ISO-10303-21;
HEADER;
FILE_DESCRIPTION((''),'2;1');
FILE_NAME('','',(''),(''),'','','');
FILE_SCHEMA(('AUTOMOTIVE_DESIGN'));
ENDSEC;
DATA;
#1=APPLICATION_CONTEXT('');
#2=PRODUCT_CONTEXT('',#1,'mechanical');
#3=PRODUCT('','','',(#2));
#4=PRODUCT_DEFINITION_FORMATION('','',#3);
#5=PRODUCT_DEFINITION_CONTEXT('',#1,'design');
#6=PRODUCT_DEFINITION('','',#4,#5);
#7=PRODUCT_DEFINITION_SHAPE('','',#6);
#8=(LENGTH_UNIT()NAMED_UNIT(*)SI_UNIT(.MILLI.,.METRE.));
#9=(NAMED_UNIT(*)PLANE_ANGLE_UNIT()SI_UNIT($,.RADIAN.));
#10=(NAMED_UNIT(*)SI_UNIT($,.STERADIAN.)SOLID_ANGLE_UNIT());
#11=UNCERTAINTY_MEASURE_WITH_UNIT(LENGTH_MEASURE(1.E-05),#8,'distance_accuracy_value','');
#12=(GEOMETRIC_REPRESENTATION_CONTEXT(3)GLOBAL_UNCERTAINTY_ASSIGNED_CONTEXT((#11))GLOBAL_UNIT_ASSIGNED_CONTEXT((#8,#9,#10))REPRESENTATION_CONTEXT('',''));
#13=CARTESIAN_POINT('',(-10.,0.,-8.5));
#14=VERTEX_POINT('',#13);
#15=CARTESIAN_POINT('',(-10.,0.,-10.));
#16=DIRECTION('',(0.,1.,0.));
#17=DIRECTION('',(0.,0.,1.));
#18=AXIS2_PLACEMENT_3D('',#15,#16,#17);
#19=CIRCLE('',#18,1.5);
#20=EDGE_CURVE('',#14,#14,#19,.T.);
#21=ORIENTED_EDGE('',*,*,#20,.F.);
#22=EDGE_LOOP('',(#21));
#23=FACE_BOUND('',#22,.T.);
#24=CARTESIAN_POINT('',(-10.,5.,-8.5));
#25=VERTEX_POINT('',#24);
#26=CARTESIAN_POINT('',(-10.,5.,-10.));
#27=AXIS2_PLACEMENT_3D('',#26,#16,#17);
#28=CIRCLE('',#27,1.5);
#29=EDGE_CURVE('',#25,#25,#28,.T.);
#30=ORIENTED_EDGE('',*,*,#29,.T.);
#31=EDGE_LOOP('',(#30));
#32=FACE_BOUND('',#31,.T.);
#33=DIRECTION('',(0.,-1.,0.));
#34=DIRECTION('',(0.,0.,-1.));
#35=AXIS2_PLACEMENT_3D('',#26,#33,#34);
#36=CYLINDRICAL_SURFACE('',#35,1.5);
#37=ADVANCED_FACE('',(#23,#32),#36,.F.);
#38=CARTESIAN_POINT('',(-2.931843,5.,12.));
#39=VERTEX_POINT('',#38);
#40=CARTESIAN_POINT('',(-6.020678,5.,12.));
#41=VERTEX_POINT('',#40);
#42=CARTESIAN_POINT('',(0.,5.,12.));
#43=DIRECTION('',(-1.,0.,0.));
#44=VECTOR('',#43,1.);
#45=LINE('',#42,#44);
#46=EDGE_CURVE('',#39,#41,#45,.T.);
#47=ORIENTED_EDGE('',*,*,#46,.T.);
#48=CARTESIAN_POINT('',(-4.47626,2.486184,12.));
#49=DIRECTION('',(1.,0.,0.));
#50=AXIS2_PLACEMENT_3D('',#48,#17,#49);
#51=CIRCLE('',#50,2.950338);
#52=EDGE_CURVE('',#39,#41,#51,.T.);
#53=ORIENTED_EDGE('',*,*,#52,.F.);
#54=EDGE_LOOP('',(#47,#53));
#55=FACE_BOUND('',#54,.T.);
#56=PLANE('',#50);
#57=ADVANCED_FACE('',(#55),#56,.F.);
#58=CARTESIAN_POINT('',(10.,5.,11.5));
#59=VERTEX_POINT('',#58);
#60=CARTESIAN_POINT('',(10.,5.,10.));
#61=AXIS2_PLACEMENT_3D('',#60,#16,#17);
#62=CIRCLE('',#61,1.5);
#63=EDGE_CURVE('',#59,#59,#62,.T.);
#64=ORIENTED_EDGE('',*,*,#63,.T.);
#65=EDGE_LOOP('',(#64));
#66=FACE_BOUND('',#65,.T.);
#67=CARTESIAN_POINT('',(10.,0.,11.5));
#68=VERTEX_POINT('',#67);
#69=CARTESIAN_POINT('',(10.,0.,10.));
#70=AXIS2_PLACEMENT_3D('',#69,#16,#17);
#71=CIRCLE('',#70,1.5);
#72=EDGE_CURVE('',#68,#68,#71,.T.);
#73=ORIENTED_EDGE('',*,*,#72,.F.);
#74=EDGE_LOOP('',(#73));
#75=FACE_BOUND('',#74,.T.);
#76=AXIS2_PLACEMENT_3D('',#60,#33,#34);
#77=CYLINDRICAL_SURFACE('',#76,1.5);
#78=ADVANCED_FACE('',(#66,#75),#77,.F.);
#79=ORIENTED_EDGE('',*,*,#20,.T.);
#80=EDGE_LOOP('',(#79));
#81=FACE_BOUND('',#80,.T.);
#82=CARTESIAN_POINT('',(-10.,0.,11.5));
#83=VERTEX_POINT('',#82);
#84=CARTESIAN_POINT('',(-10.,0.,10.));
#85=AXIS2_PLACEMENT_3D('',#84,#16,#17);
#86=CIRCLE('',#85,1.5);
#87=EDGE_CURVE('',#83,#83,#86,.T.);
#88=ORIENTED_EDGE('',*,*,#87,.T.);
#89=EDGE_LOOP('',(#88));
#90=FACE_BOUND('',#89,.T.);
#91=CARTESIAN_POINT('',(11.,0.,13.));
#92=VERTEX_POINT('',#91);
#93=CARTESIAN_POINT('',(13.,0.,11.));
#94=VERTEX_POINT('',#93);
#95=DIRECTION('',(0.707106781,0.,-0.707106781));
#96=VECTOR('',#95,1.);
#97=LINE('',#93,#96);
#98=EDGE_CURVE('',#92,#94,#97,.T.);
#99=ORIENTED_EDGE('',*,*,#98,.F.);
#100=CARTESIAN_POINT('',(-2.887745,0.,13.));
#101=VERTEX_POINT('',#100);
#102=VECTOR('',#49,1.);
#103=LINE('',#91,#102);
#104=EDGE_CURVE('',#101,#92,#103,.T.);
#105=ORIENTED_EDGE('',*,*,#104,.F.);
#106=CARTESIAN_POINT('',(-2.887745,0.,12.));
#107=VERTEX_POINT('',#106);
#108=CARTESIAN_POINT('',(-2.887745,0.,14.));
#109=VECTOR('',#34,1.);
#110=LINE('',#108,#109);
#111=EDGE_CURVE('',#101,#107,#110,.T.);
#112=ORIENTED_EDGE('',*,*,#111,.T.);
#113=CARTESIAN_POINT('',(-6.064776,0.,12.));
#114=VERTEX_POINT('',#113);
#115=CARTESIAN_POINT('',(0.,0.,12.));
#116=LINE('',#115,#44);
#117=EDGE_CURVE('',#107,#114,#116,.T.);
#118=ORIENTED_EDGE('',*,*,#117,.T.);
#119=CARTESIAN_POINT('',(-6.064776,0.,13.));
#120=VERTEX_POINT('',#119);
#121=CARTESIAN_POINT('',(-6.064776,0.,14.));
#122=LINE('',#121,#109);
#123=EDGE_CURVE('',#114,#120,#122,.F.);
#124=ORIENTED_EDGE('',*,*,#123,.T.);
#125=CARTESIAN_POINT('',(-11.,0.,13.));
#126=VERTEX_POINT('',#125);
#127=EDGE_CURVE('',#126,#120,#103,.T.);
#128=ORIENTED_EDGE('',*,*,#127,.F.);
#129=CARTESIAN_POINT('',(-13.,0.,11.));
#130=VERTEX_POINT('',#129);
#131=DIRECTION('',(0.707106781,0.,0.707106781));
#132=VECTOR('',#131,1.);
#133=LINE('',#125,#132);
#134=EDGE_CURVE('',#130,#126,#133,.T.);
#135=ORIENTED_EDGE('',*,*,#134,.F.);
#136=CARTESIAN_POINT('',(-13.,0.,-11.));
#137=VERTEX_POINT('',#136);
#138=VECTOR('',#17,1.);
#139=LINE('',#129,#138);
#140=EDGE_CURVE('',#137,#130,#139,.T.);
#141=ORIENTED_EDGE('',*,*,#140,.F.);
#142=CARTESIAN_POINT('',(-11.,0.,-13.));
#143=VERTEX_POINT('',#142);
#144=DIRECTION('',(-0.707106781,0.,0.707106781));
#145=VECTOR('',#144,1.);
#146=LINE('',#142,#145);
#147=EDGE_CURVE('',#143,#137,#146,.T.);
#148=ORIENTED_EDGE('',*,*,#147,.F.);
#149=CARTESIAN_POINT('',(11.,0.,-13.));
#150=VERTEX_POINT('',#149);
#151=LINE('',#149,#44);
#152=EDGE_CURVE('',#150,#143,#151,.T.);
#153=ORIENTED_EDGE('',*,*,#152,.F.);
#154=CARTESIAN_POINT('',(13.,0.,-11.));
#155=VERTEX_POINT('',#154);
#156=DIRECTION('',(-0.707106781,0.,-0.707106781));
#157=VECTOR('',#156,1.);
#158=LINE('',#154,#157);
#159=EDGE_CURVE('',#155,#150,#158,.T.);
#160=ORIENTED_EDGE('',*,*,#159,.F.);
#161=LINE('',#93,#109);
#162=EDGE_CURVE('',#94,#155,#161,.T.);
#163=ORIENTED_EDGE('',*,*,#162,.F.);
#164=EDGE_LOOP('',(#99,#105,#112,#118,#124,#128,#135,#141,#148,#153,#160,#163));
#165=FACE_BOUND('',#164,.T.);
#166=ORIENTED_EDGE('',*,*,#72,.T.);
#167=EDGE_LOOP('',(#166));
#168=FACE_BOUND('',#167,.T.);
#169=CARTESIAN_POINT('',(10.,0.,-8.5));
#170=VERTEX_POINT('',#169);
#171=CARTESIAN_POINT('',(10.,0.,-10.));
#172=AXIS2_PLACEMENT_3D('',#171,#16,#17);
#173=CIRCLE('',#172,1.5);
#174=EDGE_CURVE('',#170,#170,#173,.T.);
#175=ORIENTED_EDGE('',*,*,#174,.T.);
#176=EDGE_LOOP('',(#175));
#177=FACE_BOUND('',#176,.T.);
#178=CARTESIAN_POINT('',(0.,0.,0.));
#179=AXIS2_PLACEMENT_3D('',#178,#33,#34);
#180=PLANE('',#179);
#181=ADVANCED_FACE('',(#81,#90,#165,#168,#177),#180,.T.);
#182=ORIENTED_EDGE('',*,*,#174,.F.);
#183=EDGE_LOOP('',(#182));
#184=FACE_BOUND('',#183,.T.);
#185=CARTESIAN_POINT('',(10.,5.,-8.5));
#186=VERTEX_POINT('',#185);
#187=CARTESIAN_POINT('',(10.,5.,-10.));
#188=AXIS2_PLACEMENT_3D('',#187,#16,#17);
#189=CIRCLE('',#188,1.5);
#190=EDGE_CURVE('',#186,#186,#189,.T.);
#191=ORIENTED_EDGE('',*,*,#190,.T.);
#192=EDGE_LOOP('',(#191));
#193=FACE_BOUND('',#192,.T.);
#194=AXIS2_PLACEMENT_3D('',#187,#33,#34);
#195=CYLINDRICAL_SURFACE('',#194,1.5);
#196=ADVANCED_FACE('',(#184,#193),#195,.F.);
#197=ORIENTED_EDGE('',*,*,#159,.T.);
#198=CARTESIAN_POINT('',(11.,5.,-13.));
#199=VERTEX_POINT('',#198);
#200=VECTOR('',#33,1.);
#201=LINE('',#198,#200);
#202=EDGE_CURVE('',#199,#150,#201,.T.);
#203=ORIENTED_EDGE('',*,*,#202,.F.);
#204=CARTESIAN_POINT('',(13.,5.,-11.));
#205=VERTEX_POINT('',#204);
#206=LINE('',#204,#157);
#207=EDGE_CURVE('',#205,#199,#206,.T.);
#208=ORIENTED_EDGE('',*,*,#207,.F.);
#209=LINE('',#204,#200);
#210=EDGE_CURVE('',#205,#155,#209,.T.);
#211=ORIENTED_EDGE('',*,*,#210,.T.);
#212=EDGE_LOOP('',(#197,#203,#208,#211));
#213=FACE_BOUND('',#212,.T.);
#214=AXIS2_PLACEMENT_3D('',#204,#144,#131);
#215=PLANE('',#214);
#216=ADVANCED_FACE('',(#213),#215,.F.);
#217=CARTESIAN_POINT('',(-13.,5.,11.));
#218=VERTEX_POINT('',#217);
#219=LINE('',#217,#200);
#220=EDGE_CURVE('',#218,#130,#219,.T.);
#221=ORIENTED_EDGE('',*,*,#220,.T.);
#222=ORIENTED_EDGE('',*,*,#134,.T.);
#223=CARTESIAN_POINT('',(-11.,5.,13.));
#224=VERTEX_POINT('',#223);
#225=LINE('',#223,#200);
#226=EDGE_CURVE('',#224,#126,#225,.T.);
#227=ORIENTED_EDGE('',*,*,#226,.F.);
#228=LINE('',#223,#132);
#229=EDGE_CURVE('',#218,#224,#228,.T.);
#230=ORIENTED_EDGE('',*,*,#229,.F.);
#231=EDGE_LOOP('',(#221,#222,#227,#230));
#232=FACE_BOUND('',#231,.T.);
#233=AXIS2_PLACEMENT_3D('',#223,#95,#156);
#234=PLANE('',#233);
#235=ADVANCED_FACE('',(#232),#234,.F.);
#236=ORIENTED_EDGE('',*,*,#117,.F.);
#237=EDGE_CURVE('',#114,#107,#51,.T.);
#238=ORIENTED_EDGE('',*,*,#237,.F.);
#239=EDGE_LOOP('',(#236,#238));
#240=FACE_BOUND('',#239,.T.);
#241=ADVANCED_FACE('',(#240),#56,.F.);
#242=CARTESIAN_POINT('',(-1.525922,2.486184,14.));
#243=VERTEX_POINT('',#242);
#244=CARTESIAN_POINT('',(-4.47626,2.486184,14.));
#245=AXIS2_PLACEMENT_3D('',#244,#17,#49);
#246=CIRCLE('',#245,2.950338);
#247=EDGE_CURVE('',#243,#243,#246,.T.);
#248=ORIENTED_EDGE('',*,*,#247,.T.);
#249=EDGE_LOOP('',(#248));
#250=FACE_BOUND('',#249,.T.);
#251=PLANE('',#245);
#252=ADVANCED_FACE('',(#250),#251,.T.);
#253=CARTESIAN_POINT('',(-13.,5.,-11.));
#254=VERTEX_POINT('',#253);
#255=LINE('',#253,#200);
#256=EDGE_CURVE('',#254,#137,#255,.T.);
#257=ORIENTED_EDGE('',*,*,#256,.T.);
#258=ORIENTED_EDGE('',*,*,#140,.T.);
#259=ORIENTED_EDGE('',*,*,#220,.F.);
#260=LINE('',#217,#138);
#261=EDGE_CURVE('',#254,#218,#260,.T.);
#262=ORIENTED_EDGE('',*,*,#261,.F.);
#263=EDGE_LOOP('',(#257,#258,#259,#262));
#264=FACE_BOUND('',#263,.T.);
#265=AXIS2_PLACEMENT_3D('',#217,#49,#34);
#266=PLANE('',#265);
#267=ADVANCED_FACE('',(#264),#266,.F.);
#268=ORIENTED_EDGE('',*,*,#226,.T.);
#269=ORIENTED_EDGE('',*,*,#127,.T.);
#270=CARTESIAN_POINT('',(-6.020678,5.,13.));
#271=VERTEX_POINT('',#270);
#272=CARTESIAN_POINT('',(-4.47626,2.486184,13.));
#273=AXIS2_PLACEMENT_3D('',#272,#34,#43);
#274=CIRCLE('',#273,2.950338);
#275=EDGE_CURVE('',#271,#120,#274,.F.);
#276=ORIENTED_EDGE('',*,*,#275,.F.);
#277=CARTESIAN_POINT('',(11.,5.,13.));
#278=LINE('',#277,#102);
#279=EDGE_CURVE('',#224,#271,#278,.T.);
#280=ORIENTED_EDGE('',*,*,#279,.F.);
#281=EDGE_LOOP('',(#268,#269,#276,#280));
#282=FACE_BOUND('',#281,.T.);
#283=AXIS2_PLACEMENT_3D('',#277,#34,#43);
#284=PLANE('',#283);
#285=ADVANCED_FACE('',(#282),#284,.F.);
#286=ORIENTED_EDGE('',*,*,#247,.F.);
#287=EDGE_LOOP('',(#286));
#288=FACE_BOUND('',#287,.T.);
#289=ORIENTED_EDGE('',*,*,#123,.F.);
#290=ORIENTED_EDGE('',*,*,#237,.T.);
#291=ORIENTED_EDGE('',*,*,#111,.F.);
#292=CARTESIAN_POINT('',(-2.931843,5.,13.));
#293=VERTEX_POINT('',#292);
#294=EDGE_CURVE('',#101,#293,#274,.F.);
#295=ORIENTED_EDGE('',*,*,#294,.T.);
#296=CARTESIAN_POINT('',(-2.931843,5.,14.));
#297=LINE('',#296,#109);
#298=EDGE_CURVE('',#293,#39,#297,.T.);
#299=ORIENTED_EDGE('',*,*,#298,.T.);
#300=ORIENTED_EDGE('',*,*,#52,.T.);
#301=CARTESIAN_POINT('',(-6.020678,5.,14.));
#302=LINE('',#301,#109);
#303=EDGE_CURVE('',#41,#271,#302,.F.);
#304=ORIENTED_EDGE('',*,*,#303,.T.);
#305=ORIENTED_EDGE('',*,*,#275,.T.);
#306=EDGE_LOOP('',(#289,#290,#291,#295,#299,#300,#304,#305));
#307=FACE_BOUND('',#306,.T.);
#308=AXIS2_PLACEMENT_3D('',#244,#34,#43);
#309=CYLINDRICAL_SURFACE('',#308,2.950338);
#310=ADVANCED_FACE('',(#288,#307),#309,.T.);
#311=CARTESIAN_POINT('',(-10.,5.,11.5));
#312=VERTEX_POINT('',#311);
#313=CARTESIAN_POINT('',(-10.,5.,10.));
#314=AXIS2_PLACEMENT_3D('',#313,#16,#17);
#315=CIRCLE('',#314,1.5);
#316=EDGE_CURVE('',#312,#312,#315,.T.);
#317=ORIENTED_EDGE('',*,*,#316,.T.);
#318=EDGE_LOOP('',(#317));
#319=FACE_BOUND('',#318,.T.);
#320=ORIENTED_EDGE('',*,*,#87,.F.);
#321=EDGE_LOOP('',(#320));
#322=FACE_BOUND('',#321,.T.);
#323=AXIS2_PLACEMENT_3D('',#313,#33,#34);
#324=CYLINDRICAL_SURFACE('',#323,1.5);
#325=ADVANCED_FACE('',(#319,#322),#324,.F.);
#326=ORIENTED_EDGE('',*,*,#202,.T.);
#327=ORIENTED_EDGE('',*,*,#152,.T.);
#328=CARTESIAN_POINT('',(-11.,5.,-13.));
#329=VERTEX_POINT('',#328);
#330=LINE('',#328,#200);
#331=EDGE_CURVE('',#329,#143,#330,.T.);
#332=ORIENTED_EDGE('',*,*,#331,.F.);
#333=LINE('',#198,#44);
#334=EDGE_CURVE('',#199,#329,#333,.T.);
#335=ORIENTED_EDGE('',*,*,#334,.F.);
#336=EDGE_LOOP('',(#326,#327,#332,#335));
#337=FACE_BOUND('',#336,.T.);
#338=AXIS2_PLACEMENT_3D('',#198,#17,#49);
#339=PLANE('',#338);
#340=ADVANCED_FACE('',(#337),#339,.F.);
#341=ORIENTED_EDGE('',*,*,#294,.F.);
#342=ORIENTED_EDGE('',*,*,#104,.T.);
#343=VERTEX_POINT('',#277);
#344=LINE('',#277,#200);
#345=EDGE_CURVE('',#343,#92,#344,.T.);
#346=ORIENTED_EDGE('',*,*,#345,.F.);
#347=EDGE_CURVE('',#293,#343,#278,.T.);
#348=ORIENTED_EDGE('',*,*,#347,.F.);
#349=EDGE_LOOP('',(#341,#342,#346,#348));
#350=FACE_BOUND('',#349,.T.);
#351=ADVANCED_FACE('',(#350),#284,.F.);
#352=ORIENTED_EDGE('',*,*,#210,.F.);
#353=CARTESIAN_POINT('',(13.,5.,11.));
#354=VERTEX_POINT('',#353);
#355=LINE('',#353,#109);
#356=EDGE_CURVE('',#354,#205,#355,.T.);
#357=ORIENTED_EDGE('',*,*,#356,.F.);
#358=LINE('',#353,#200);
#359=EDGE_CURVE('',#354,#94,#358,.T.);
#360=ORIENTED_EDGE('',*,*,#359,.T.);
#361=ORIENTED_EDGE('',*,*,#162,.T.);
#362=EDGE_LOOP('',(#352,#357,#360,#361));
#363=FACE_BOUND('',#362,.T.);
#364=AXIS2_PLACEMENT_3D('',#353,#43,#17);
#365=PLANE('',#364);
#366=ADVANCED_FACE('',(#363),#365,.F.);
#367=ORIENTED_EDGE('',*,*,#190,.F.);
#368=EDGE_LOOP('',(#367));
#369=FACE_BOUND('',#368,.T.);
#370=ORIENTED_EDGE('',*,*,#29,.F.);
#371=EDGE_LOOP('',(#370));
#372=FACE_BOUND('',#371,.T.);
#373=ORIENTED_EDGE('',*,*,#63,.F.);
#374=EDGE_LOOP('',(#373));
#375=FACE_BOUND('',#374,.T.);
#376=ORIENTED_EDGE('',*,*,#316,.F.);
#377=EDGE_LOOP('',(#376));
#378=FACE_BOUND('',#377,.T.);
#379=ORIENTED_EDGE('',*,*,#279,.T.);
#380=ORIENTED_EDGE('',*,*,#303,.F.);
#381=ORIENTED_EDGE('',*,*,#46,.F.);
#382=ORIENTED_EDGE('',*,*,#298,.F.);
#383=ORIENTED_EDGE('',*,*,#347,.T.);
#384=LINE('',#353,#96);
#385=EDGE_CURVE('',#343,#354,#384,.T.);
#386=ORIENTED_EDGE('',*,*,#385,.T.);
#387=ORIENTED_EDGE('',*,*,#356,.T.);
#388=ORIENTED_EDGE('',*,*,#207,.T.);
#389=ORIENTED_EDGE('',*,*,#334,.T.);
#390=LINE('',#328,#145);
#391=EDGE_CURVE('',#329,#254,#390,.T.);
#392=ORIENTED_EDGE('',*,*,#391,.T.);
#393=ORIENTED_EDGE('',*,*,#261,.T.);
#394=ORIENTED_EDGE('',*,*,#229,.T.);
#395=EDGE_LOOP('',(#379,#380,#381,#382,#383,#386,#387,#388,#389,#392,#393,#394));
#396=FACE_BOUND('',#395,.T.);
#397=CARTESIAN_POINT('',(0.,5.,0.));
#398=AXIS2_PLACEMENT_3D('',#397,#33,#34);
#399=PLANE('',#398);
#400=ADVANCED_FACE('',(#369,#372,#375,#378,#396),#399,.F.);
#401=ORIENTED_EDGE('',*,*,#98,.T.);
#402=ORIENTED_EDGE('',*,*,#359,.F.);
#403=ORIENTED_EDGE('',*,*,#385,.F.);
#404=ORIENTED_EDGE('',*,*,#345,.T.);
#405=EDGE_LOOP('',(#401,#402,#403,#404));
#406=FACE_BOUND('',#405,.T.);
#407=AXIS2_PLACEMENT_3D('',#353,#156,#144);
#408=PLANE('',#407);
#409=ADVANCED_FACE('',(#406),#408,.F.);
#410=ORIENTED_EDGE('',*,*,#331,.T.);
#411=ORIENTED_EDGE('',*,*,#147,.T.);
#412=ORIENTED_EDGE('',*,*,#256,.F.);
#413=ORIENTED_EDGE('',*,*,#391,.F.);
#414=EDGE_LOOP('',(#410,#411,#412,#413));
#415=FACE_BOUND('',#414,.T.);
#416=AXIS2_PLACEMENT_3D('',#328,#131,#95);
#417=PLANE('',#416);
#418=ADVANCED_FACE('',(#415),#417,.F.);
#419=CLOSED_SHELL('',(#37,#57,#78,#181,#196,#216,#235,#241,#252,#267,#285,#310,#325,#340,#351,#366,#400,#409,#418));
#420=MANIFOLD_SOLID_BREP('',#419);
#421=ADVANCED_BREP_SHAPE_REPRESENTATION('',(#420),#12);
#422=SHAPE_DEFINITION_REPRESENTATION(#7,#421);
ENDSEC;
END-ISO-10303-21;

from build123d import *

# Parameters (mm, degrees)
SKETCH1_R           = 1.5
BOSS_EXTRUDE1_DEPTH = 5
SKETCH2_R           = 2.950338073
BOSS_EXTRUDE2_DEPTH = 1


with BuildPart() as part:
    # Sketch1 → Boss-Extrude1 (new body)
    with BuildSketch(Plane(origin=(0, 0, 0), x_dir=(1, 0, 0), z_dir=(0, 1, 0))):
        Polygon((-11, 13), (-13, 11), (-13, -11), (-11, -13), (11, -13), (13, -11), (13, 11), (11, 13), align=None)
        with Locations(Location((-10, 10, 0), (0, 0, 270))):
            Circle(SKETCH1_R, mode=Mode.SUBTRACT)
        with Locations(Location((10, 10, 0), (0, 0, 270))):
            Circle(SKETCH1_R, mode=Mode.SUBTRACT)
        with Locations(Location((10, -10, 0), (0, 0, 270))):
            Circle(SKETCH1_R, mode=Mode.SUBTRACT)
        with Locations(Location((-10, -10, 0), (0, 0, 270))):
            Circle(SKETCH1_R, mode=Mode.SUBTRACT)
    extrude(amount=BOSS_EXTRUDE1_DEPTH)

    # Sketch2 → Boss-Extrude2 (add, symmetric)
    with BuildSketch(Plane.XY.offset(13)):
        with Locations(Location((-4.476260218, 2.486184382, 0), (0, 0, 237.423977883))):
            Circle(SKETCH2_R)
    extrude(amount=BOSS_EXTRUDE2_DEPTH, both=True)


solid = part.part
